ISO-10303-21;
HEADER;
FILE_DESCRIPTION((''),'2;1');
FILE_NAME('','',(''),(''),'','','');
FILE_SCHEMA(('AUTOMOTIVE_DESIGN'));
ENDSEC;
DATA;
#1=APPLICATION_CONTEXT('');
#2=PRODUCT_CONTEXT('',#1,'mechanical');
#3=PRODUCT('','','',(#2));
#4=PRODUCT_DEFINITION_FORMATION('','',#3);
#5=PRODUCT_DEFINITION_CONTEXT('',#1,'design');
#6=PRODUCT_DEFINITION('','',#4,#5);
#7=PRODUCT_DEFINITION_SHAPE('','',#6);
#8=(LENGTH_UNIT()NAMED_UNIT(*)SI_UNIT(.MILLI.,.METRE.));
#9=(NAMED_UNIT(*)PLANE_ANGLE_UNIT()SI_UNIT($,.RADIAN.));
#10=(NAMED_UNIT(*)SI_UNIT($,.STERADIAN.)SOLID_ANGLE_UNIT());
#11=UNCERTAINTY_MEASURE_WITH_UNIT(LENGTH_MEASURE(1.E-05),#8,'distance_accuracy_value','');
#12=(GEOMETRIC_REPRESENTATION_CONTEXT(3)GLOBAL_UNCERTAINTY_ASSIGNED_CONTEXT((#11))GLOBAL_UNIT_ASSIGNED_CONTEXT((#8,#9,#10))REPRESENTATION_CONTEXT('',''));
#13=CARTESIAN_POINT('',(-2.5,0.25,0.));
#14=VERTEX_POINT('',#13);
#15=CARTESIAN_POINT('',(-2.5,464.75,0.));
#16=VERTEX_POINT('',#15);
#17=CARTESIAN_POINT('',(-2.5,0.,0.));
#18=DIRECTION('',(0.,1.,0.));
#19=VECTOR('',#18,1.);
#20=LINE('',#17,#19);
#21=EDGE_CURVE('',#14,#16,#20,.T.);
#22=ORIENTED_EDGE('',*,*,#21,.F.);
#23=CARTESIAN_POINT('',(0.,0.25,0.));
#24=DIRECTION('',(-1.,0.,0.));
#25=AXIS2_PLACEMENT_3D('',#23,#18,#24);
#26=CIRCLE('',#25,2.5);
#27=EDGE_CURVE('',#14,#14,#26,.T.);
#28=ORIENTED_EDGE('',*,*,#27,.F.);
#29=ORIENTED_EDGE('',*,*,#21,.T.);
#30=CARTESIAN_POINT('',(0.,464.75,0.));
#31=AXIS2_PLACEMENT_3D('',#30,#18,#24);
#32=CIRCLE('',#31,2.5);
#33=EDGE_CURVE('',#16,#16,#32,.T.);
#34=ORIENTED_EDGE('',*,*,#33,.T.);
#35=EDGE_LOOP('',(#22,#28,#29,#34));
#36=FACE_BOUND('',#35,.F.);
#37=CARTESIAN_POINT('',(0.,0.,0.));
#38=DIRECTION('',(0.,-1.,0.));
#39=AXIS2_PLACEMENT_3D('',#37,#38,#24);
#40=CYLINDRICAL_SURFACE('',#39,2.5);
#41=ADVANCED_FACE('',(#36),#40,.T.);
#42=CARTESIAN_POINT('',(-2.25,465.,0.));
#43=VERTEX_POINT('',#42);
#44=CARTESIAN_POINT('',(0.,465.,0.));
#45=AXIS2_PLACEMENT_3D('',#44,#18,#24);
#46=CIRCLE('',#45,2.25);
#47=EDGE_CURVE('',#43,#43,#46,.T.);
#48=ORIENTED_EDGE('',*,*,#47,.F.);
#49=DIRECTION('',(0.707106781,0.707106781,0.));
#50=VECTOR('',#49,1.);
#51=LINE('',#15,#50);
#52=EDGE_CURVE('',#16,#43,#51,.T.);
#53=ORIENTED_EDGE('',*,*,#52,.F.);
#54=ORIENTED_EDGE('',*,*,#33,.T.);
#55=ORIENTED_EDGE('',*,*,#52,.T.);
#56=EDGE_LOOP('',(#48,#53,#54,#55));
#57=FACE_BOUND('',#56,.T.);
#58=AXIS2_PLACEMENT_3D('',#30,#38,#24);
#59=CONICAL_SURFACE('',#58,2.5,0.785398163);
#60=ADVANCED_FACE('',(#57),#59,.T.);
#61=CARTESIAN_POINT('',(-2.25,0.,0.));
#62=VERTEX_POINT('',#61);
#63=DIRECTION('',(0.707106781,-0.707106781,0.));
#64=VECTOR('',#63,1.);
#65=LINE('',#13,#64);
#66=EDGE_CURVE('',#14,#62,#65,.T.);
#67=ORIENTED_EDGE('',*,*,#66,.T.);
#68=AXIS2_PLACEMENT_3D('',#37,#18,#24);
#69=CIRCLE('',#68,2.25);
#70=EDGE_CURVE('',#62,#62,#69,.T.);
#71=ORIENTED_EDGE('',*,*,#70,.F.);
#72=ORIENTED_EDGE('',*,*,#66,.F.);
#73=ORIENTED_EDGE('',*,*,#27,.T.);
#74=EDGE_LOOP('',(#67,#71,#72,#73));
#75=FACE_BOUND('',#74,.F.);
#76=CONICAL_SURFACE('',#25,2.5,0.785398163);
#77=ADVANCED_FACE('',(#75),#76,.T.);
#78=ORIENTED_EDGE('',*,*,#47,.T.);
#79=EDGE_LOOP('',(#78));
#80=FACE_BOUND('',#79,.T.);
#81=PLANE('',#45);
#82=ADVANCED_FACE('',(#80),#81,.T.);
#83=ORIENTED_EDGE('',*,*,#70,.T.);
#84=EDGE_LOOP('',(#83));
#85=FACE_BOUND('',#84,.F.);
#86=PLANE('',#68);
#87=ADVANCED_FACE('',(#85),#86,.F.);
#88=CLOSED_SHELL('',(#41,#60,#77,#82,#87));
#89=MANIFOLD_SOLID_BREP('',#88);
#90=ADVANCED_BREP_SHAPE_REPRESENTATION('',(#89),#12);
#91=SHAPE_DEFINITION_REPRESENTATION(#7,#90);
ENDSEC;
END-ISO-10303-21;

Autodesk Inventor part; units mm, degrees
ref_plane "YZ Plane" through (0, 0, 0) normal (1, 0, 0) x (0, 1, 0)
ref_plane "XZ Plane" through (0, 0, 0) normal (0, 1, 0) x (-1, 0, 0)
ref_plane "XY Plane" through (0, 0, 0) normal (0, 0, 1) x (1, 0, 0)
sketch "Sketch1" plane through (0, 0, 0) normal (0, 1, 0) x (-1, 0, 0)
  circle A0 centre (0, 0) radius 2.5
  dimension "d0" = 5
extrude "Extrusion1" add sketch "Sketch1" along normal blind 465
chamfer "Chamfer1" distance 0.25 angle 45 2 edges at (2.5, 465, 0) (2.5, 0, 0)
properties part number "Y-belt synchronizing rod" material "Stainless Steel"
